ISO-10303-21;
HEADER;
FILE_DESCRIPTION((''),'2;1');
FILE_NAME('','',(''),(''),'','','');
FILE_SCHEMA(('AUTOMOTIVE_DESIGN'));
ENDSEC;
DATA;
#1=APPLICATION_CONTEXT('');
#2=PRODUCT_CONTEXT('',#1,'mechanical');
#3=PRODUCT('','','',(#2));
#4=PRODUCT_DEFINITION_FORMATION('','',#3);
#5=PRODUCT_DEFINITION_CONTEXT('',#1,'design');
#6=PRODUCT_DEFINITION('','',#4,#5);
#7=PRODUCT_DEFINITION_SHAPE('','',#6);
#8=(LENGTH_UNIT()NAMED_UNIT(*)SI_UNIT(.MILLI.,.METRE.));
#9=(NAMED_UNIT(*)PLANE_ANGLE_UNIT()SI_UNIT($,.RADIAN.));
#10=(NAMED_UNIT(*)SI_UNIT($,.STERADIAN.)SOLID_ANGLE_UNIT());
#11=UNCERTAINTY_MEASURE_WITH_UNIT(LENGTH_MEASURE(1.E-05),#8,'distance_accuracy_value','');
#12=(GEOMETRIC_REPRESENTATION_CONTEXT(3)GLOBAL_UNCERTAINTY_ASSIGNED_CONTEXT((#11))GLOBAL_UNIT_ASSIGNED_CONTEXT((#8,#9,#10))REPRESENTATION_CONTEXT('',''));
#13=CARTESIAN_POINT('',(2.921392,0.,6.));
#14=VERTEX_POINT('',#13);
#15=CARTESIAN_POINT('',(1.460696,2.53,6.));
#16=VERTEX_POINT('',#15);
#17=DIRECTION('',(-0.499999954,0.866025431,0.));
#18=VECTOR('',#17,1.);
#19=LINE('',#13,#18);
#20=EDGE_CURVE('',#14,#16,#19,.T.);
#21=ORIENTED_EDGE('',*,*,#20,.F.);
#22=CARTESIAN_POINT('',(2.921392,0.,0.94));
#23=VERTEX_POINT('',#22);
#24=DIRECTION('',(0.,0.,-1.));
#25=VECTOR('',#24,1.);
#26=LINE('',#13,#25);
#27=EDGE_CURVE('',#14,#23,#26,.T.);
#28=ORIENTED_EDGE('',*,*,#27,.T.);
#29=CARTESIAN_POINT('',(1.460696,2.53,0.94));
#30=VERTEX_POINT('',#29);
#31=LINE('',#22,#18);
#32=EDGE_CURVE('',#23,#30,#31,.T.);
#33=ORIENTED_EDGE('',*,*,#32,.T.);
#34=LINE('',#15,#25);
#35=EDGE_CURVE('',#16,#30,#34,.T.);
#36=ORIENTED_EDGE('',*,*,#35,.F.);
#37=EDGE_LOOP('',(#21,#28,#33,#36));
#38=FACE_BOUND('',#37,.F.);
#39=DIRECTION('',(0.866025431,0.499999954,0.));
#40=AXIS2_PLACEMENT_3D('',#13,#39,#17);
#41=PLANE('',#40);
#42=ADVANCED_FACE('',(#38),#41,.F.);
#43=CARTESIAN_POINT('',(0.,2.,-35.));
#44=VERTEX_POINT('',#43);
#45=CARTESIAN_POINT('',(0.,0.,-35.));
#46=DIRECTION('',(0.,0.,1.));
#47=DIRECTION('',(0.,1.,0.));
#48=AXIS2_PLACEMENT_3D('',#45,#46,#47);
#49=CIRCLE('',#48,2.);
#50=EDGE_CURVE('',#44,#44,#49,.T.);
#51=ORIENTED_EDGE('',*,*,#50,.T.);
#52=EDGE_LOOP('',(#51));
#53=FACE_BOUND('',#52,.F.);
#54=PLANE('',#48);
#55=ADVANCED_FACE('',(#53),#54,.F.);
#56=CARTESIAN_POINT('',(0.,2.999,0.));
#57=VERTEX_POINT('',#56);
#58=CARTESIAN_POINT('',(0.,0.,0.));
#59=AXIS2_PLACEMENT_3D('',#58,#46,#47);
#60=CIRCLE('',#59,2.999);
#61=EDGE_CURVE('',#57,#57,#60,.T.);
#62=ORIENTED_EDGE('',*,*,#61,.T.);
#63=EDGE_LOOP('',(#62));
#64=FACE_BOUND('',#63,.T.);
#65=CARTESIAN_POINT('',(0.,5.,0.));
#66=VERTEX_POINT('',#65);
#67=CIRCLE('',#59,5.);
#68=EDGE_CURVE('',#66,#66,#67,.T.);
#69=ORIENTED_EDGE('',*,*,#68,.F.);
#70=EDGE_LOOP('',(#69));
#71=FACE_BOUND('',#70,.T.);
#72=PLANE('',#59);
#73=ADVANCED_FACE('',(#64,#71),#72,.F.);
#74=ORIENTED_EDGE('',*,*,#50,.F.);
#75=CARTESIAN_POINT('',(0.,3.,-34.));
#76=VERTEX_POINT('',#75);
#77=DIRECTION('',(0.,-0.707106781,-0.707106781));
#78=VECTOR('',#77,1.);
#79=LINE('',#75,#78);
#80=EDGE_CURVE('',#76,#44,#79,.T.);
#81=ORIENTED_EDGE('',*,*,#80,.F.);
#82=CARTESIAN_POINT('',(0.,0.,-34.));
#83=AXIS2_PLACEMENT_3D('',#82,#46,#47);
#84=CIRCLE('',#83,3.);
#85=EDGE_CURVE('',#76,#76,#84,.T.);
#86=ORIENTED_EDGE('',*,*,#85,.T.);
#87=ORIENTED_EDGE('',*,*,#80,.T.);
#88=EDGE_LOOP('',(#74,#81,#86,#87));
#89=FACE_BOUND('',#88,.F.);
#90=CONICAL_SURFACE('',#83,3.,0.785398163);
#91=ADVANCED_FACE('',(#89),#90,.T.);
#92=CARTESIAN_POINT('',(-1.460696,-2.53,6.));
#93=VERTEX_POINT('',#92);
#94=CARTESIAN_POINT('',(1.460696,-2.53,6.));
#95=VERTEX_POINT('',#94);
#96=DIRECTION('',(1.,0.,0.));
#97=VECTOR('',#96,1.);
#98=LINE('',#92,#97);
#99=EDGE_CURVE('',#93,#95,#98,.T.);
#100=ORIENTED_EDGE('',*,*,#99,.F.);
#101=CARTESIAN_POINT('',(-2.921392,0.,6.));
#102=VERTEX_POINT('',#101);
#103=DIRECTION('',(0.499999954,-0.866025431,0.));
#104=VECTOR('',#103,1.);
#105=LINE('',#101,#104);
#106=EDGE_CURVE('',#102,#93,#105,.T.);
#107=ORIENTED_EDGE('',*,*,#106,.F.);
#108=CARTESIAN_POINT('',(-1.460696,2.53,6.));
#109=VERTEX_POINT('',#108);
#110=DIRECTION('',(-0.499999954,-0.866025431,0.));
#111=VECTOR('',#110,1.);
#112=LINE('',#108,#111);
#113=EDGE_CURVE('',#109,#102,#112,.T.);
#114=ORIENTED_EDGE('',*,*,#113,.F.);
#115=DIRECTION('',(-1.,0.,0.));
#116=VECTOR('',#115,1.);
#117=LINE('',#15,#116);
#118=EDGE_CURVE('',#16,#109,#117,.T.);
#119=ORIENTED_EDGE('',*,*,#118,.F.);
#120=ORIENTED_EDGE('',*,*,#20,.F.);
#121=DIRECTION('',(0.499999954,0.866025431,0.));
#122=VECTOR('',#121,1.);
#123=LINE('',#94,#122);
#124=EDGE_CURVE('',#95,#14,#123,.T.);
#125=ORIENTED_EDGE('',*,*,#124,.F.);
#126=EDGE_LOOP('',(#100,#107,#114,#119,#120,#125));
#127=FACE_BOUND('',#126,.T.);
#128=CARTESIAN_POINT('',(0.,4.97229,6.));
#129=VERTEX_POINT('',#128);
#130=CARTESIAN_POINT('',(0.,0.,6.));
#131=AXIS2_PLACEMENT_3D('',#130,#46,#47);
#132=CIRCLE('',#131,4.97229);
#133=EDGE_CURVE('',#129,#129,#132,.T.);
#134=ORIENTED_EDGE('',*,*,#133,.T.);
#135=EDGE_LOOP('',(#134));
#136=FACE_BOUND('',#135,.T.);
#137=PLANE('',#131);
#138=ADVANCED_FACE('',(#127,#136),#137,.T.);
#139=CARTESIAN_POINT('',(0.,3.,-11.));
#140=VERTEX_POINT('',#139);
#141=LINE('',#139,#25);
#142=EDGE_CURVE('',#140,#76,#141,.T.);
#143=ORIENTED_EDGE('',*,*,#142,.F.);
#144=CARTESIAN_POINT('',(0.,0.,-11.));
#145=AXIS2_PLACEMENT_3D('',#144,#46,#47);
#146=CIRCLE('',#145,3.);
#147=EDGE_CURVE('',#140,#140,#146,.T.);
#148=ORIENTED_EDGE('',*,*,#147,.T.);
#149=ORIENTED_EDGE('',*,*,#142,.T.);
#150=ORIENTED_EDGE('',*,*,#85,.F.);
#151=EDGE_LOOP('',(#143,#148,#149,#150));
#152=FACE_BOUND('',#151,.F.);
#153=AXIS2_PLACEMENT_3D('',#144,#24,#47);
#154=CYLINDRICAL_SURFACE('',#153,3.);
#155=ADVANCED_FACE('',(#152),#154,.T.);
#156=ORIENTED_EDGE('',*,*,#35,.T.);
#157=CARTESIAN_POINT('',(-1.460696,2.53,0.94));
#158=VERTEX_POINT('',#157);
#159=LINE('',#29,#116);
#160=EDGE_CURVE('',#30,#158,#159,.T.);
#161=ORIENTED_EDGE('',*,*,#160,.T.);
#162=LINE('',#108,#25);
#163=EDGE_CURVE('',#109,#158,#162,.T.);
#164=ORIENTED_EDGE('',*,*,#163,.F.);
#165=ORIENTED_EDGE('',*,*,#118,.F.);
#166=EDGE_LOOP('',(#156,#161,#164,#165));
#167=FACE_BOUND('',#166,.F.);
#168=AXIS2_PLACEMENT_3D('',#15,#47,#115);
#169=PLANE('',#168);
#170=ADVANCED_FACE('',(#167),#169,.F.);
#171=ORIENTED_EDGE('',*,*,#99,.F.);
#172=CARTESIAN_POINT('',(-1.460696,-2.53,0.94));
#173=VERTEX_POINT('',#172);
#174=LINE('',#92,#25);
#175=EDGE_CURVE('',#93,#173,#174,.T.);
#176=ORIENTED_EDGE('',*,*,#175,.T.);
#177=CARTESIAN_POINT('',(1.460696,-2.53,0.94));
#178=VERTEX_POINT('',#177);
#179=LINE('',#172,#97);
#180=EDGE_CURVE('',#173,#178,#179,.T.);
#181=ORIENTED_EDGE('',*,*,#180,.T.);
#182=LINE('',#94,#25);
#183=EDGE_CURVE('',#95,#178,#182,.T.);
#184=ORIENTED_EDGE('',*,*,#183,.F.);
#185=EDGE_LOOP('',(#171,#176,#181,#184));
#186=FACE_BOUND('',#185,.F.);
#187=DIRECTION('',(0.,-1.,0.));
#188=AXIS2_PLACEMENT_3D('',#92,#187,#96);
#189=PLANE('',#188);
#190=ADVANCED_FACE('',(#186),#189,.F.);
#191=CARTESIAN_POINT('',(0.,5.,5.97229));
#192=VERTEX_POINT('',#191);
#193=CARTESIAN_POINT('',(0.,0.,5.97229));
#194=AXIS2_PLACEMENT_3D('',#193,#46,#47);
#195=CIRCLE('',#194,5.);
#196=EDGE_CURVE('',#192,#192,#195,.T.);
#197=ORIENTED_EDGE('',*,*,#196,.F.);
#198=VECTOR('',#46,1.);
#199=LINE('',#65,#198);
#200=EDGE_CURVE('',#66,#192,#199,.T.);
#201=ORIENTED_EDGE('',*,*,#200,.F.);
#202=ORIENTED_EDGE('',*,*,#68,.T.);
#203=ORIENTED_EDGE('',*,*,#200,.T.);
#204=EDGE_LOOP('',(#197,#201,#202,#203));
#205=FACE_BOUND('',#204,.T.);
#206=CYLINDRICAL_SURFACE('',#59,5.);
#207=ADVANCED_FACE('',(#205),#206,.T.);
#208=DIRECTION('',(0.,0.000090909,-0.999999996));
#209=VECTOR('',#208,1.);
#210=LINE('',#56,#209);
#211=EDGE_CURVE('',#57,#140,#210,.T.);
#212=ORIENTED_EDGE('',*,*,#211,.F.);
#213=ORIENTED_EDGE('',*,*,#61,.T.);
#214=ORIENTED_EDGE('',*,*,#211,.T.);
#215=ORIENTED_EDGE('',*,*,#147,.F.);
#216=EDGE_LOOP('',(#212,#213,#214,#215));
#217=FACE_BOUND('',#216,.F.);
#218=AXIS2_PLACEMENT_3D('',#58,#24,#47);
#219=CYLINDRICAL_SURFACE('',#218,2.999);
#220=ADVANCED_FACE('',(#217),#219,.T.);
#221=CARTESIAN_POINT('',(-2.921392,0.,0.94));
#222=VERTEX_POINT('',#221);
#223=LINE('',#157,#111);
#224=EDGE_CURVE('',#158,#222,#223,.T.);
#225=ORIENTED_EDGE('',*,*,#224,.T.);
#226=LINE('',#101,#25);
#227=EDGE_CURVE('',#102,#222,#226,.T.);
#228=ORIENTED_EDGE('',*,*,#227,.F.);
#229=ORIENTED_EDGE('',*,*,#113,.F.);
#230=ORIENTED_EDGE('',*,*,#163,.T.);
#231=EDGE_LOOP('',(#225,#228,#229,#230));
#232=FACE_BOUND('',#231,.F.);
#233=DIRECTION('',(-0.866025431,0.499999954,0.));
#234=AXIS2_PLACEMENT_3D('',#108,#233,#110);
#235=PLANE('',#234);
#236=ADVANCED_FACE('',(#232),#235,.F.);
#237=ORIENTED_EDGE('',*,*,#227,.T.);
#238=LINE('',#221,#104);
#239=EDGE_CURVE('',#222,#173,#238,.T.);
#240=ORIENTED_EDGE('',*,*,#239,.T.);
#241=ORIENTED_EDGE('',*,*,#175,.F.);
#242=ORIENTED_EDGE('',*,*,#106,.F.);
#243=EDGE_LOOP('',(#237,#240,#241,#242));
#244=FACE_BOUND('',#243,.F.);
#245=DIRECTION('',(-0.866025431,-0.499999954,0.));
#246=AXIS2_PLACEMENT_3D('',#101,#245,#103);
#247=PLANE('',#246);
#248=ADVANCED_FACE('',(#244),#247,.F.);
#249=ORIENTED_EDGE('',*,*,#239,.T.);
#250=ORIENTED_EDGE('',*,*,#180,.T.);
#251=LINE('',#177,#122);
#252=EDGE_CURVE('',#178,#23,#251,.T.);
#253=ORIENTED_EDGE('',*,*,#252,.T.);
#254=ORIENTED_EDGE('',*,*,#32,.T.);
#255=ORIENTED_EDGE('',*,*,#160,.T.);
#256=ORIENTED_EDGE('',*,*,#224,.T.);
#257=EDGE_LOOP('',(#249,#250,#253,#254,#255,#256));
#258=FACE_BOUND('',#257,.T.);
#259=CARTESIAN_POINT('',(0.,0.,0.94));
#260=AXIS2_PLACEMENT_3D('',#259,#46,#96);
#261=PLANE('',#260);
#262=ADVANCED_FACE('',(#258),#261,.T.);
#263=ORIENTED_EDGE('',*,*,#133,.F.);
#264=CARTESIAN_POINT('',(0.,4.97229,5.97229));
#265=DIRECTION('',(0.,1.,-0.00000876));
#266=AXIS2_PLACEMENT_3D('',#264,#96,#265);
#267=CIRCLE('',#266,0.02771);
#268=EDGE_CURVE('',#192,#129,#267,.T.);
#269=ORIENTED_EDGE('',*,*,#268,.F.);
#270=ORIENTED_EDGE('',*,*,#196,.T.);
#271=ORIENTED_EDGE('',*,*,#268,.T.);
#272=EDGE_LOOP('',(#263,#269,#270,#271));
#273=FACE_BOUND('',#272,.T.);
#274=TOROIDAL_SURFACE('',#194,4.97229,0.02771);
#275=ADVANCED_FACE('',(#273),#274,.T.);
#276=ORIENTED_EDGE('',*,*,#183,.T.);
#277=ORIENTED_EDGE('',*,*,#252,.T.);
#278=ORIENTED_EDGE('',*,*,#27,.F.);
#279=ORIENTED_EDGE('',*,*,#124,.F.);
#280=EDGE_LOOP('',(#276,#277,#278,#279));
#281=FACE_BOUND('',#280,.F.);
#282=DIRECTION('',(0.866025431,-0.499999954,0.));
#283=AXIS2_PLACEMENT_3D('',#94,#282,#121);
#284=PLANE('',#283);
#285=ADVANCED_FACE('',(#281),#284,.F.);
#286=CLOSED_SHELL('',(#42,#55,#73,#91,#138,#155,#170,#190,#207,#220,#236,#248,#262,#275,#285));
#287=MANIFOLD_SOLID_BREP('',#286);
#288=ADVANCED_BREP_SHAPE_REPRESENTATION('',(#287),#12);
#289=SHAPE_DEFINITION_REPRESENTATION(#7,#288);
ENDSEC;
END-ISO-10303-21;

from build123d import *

# Parameters (mm, degrees)
POCKET_DEPTH = 5.06


with BuildPart() as part:
    # Sketch → Revolve (revolve)
    with BuildSketch(Plane.YZ):
        with BuildLine():
            Line((2.999, 0), (5, 0))
            Line((5, 0), (5, 5.97229))
            ThreePointArc((5, 5.97229), (4.991884, 5.991884), (4.97229, 6))
            Line((4.97229, 6), (0, 6))
            Line((0, -35), (0, 6))
            Line((2, -35), (0, -35))
            Line((3, -34), (2, -35))
            Line((3, -11), (3, -34))
            Line((2.999, 0), (3, -11))
        make_face()
    revolve(axis=Axis((0, 0, 0), (0, 0, 1)))

    # Sketch001 → Pocket (cut)
    with BuildSketch(Plane.XY.offset(6)):
        Polygon((2.921392, 0), (1.460696, 2.53), (-1.460696, 2.53), (-2.921392, 0), (-1.460696, -2.53), (1.460696, -2.53), align=None)
    extrude(amount=-POCKET_DEPTH, mode=Mode.SUBTRACT)


solid = part.part
